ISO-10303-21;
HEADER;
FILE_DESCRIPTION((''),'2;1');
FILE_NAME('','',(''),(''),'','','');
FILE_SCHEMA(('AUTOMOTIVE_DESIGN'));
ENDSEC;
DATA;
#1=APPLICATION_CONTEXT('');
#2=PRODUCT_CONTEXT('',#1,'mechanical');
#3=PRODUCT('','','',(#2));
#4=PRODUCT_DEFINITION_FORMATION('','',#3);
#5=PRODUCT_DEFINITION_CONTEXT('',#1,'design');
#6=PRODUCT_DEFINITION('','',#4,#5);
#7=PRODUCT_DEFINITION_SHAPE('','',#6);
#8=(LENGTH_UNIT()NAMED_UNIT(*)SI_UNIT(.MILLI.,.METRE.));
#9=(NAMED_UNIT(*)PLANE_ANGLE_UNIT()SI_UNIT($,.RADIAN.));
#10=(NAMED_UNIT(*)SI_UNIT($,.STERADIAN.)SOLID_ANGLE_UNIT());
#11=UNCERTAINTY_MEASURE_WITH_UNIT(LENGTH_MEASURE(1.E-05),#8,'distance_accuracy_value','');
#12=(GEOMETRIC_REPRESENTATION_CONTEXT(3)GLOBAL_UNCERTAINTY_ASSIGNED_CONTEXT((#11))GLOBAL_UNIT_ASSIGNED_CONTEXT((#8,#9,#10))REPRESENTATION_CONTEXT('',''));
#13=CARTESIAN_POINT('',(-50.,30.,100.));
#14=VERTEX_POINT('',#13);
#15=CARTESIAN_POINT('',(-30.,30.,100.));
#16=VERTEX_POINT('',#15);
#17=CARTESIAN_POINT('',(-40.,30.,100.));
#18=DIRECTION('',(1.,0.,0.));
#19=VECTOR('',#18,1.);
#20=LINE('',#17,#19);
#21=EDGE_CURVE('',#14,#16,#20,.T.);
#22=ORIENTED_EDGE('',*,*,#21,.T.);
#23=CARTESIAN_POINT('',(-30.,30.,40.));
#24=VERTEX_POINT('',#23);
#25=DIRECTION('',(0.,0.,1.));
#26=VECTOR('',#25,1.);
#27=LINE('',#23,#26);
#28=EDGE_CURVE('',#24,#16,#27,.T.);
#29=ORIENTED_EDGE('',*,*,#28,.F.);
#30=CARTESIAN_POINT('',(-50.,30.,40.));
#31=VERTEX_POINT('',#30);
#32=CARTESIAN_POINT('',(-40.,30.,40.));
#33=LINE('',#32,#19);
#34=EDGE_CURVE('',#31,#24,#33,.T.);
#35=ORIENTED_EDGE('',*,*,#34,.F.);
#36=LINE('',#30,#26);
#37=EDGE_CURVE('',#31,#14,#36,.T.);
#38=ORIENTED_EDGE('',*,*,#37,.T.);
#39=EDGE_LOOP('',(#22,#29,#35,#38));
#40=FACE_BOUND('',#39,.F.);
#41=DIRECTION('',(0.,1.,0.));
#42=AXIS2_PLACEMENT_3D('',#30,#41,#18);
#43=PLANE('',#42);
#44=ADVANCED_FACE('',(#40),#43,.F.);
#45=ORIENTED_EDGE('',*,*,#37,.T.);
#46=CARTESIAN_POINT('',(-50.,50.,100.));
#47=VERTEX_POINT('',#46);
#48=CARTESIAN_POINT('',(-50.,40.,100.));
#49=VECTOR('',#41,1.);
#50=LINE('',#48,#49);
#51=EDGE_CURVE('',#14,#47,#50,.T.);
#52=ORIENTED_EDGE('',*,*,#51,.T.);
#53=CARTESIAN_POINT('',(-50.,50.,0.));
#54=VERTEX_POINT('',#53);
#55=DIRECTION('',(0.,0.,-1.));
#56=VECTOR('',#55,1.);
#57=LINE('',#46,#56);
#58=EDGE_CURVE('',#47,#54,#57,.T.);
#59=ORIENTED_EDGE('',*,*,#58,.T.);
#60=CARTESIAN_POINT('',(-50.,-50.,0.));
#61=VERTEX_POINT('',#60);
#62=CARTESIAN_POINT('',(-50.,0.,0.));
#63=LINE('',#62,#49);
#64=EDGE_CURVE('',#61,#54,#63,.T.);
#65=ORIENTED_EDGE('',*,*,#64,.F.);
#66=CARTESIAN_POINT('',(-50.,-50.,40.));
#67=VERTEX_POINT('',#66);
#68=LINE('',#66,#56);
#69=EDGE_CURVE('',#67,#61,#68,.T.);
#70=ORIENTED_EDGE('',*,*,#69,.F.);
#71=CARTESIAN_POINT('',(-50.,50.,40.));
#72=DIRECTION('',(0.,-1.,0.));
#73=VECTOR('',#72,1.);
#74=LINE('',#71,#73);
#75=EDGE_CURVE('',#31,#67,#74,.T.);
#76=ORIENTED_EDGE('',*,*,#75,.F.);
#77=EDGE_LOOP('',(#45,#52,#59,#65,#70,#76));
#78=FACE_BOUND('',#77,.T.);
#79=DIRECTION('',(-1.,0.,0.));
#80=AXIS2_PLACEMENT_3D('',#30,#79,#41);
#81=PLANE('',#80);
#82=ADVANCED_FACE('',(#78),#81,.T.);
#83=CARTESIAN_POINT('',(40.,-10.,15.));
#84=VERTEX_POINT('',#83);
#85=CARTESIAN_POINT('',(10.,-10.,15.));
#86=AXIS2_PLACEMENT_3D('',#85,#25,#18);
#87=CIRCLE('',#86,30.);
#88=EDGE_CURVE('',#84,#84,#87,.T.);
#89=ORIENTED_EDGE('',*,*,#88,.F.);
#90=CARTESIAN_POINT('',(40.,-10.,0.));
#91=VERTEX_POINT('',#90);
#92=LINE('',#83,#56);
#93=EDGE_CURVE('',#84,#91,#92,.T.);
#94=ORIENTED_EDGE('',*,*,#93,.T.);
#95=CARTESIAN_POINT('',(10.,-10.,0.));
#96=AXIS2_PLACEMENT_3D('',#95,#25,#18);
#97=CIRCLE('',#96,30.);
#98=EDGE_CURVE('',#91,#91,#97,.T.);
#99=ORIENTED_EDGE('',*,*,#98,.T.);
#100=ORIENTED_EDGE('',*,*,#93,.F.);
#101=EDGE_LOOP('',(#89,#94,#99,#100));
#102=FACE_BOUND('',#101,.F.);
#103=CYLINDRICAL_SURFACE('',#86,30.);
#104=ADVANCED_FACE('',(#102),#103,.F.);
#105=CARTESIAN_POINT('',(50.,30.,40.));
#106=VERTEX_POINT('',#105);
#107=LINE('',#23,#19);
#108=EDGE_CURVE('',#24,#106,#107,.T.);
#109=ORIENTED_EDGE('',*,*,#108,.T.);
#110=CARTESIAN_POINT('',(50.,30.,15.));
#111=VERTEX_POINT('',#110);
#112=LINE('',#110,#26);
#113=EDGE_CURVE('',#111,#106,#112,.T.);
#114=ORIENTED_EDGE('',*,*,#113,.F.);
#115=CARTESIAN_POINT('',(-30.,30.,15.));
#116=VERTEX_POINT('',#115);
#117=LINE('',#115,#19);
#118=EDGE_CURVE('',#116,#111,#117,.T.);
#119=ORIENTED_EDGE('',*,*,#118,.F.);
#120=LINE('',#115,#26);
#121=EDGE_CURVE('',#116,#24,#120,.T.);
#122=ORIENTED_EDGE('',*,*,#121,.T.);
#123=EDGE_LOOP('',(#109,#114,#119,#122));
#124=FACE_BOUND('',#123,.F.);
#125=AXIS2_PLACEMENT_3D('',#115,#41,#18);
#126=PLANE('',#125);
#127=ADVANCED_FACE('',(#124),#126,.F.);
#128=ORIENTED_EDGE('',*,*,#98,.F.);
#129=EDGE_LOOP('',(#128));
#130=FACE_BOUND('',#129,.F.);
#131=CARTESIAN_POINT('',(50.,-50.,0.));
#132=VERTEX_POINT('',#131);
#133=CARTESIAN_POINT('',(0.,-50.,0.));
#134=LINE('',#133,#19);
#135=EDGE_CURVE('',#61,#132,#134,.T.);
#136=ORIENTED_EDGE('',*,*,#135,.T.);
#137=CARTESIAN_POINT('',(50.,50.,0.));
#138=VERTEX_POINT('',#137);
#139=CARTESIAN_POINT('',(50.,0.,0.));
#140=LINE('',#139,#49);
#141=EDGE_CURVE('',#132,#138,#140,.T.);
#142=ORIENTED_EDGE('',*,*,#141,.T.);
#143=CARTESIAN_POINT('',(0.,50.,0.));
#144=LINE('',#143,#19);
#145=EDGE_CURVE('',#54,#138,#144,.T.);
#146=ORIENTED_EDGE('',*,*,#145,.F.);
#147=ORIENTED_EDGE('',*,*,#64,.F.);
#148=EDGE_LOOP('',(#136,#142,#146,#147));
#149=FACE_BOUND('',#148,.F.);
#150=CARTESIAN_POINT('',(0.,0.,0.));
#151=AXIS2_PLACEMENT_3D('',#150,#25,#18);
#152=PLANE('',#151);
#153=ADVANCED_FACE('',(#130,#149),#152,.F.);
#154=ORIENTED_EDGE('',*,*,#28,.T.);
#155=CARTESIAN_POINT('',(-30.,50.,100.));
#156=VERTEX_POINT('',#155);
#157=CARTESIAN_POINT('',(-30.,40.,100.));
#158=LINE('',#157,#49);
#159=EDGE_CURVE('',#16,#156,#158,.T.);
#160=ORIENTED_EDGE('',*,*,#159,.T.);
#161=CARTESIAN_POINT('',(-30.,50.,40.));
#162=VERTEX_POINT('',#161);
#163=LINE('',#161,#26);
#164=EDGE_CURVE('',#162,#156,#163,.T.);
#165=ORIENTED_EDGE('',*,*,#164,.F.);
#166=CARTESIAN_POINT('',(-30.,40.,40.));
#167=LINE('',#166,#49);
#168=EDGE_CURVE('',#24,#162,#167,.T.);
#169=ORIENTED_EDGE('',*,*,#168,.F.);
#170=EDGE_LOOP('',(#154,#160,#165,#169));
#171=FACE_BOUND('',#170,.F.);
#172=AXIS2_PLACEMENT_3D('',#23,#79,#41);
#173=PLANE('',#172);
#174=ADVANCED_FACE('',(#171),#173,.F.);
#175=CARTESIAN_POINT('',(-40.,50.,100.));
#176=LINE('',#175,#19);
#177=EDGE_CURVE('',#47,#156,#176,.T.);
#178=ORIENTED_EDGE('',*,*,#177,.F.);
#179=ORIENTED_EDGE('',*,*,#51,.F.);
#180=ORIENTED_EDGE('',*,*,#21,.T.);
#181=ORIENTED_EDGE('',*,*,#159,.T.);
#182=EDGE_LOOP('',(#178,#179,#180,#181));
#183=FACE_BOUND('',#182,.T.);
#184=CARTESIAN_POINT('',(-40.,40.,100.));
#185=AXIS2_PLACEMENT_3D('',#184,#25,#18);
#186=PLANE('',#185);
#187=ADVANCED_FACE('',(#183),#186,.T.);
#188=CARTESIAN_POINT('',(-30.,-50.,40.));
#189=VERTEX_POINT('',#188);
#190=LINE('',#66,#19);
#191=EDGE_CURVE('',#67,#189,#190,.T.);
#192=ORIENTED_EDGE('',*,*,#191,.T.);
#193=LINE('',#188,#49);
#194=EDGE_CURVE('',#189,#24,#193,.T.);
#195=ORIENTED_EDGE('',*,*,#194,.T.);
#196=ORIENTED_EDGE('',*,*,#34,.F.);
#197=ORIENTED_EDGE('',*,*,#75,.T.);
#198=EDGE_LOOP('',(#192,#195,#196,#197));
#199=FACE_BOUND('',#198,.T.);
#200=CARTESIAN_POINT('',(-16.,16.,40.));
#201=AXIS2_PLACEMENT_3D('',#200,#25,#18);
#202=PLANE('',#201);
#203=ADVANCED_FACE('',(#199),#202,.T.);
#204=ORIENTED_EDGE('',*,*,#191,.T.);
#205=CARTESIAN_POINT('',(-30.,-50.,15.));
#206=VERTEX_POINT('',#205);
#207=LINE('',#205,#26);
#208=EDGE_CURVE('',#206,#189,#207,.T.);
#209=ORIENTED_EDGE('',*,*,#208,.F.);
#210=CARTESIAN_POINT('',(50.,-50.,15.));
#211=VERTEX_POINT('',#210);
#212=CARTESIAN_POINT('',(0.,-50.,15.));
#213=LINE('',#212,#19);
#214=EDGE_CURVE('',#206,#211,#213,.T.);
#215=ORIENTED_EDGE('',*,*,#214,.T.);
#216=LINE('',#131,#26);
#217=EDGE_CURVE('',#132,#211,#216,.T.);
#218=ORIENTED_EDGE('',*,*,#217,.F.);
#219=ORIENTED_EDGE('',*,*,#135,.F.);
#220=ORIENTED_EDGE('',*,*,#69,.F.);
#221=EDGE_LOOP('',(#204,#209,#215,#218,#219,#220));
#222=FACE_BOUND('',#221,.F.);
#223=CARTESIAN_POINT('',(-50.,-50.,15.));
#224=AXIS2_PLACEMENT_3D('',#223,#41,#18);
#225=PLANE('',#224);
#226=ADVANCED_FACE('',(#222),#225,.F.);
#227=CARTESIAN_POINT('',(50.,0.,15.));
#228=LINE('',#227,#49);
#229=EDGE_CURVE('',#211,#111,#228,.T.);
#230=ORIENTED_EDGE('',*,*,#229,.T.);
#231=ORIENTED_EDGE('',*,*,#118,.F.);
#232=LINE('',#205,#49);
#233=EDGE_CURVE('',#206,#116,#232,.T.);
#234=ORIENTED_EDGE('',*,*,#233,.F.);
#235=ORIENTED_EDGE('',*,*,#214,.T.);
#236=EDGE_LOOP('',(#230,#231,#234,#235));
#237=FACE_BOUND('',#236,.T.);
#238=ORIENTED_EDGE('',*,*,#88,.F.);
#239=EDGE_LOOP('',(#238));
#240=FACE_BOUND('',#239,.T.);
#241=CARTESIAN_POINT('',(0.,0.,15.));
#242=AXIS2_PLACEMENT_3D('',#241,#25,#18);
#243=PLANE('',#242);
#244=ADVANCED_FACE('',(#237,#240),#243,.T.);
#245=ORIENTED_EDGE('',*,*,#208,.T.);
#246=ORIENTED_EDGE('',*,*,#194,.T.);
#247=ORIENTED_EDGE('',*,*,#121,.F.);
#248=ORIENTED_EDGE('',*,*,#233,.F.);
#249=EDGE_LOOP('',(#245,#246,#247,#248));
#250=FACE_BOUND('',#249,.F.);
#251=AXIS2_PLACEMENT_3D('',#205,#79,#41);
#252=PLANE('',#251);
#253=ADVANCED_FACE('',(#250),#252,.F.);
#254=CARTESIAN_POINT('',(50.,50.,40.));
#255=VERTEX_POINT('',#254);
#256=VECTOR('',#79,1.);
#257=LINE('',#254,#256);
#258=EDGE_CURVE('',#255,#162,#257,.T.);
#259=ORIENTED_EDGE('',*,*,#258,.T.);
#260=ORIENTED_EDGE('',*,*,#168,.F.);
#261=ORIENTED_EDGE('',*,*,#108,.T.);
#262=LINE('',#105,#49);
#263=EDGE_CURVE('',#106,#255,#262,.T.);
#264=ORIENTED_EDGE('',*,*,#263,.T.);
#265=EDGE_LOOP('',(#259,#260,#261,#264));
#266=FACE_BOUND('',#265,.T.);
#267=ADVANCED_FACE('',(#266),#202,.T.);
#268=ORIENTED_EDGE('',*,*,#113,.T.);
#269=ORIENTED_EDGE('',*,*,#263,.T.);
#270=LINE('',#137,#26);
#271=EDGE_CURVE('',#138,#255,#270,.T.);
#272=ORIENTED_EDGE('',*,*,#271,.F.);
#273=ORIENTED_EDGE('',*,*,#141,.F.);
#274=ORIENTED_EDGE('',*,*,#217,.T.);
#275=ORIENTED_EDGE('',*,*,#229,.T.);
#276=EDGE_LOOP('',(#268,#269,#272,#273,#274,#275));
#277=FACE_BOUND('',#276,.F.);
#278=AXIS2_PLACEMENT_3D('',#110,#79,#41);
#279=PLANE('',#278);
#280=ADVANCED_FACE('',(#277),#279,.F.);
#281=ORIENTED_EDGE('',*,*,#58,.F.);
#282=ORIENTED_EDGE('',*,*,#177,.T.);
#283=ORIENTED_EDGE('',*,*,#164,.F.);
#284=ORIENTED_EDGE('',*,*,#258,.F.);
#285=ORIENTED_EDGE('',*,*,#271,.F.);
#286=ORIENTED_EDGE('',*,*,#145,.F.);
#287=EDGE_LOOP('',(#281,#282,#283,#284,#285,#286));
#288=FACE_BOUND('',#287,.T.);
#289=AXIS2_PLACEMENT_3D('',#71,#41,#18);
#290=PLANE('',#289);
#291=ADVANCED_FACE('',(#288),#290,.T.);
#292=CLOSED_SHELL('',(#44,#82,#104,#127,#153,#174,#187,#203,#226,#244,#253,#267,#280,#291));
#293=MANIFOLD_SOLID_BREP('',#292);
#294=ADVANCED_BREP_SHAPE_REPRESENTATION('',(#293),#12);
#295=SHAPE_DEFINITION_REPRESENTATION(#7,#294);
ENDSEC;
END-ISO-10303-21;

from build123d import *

# Parameters (mm, degrees)
F0_W     = 100
F0_H     = 100
F1_DEPTH = 15
F3_DEPTH = 25
F4_R     = 30
F5_DEPTH = 15.001
F6_W     = 20
F6_H     = 20
F7_DEPTH = 60


with BuildPart() as f1:
    # F0 (on Top) → F1 (new body)
    with BuildSketch(Plane.XY):
        Rectangle(F0_W, F0_H)
    extrude(amount=F1_DEPTH)

    # F2 (on face) → F3 (join)
    with BuildSketch(Plane.XY.offset(15)):
        Polygon((-30, 30), (50, 30), (50, 50), (-50, 50), (-50, -50), (-30, -50), align=None)
    extrude(amount=F3_DEPTH)

    # F4 (on face) → F5 (cut, through all)
    with BuildSketch(Plane.XY.offset(15)):
        with Locations((10, -10)):
            Circle(F4_R)
    extrude(amount=-F5_DEPTH, mode=Mode.SUBTRACT)

    # F6 (on face) → F7 (join)
    with BuildSketch(Plane.XY.offset(40)):
        with Locations((-40, 40)):
            Rectangle(F6_W, F6_H)
    extrude(amount=F7_DEPTH)


solid = f1.part
